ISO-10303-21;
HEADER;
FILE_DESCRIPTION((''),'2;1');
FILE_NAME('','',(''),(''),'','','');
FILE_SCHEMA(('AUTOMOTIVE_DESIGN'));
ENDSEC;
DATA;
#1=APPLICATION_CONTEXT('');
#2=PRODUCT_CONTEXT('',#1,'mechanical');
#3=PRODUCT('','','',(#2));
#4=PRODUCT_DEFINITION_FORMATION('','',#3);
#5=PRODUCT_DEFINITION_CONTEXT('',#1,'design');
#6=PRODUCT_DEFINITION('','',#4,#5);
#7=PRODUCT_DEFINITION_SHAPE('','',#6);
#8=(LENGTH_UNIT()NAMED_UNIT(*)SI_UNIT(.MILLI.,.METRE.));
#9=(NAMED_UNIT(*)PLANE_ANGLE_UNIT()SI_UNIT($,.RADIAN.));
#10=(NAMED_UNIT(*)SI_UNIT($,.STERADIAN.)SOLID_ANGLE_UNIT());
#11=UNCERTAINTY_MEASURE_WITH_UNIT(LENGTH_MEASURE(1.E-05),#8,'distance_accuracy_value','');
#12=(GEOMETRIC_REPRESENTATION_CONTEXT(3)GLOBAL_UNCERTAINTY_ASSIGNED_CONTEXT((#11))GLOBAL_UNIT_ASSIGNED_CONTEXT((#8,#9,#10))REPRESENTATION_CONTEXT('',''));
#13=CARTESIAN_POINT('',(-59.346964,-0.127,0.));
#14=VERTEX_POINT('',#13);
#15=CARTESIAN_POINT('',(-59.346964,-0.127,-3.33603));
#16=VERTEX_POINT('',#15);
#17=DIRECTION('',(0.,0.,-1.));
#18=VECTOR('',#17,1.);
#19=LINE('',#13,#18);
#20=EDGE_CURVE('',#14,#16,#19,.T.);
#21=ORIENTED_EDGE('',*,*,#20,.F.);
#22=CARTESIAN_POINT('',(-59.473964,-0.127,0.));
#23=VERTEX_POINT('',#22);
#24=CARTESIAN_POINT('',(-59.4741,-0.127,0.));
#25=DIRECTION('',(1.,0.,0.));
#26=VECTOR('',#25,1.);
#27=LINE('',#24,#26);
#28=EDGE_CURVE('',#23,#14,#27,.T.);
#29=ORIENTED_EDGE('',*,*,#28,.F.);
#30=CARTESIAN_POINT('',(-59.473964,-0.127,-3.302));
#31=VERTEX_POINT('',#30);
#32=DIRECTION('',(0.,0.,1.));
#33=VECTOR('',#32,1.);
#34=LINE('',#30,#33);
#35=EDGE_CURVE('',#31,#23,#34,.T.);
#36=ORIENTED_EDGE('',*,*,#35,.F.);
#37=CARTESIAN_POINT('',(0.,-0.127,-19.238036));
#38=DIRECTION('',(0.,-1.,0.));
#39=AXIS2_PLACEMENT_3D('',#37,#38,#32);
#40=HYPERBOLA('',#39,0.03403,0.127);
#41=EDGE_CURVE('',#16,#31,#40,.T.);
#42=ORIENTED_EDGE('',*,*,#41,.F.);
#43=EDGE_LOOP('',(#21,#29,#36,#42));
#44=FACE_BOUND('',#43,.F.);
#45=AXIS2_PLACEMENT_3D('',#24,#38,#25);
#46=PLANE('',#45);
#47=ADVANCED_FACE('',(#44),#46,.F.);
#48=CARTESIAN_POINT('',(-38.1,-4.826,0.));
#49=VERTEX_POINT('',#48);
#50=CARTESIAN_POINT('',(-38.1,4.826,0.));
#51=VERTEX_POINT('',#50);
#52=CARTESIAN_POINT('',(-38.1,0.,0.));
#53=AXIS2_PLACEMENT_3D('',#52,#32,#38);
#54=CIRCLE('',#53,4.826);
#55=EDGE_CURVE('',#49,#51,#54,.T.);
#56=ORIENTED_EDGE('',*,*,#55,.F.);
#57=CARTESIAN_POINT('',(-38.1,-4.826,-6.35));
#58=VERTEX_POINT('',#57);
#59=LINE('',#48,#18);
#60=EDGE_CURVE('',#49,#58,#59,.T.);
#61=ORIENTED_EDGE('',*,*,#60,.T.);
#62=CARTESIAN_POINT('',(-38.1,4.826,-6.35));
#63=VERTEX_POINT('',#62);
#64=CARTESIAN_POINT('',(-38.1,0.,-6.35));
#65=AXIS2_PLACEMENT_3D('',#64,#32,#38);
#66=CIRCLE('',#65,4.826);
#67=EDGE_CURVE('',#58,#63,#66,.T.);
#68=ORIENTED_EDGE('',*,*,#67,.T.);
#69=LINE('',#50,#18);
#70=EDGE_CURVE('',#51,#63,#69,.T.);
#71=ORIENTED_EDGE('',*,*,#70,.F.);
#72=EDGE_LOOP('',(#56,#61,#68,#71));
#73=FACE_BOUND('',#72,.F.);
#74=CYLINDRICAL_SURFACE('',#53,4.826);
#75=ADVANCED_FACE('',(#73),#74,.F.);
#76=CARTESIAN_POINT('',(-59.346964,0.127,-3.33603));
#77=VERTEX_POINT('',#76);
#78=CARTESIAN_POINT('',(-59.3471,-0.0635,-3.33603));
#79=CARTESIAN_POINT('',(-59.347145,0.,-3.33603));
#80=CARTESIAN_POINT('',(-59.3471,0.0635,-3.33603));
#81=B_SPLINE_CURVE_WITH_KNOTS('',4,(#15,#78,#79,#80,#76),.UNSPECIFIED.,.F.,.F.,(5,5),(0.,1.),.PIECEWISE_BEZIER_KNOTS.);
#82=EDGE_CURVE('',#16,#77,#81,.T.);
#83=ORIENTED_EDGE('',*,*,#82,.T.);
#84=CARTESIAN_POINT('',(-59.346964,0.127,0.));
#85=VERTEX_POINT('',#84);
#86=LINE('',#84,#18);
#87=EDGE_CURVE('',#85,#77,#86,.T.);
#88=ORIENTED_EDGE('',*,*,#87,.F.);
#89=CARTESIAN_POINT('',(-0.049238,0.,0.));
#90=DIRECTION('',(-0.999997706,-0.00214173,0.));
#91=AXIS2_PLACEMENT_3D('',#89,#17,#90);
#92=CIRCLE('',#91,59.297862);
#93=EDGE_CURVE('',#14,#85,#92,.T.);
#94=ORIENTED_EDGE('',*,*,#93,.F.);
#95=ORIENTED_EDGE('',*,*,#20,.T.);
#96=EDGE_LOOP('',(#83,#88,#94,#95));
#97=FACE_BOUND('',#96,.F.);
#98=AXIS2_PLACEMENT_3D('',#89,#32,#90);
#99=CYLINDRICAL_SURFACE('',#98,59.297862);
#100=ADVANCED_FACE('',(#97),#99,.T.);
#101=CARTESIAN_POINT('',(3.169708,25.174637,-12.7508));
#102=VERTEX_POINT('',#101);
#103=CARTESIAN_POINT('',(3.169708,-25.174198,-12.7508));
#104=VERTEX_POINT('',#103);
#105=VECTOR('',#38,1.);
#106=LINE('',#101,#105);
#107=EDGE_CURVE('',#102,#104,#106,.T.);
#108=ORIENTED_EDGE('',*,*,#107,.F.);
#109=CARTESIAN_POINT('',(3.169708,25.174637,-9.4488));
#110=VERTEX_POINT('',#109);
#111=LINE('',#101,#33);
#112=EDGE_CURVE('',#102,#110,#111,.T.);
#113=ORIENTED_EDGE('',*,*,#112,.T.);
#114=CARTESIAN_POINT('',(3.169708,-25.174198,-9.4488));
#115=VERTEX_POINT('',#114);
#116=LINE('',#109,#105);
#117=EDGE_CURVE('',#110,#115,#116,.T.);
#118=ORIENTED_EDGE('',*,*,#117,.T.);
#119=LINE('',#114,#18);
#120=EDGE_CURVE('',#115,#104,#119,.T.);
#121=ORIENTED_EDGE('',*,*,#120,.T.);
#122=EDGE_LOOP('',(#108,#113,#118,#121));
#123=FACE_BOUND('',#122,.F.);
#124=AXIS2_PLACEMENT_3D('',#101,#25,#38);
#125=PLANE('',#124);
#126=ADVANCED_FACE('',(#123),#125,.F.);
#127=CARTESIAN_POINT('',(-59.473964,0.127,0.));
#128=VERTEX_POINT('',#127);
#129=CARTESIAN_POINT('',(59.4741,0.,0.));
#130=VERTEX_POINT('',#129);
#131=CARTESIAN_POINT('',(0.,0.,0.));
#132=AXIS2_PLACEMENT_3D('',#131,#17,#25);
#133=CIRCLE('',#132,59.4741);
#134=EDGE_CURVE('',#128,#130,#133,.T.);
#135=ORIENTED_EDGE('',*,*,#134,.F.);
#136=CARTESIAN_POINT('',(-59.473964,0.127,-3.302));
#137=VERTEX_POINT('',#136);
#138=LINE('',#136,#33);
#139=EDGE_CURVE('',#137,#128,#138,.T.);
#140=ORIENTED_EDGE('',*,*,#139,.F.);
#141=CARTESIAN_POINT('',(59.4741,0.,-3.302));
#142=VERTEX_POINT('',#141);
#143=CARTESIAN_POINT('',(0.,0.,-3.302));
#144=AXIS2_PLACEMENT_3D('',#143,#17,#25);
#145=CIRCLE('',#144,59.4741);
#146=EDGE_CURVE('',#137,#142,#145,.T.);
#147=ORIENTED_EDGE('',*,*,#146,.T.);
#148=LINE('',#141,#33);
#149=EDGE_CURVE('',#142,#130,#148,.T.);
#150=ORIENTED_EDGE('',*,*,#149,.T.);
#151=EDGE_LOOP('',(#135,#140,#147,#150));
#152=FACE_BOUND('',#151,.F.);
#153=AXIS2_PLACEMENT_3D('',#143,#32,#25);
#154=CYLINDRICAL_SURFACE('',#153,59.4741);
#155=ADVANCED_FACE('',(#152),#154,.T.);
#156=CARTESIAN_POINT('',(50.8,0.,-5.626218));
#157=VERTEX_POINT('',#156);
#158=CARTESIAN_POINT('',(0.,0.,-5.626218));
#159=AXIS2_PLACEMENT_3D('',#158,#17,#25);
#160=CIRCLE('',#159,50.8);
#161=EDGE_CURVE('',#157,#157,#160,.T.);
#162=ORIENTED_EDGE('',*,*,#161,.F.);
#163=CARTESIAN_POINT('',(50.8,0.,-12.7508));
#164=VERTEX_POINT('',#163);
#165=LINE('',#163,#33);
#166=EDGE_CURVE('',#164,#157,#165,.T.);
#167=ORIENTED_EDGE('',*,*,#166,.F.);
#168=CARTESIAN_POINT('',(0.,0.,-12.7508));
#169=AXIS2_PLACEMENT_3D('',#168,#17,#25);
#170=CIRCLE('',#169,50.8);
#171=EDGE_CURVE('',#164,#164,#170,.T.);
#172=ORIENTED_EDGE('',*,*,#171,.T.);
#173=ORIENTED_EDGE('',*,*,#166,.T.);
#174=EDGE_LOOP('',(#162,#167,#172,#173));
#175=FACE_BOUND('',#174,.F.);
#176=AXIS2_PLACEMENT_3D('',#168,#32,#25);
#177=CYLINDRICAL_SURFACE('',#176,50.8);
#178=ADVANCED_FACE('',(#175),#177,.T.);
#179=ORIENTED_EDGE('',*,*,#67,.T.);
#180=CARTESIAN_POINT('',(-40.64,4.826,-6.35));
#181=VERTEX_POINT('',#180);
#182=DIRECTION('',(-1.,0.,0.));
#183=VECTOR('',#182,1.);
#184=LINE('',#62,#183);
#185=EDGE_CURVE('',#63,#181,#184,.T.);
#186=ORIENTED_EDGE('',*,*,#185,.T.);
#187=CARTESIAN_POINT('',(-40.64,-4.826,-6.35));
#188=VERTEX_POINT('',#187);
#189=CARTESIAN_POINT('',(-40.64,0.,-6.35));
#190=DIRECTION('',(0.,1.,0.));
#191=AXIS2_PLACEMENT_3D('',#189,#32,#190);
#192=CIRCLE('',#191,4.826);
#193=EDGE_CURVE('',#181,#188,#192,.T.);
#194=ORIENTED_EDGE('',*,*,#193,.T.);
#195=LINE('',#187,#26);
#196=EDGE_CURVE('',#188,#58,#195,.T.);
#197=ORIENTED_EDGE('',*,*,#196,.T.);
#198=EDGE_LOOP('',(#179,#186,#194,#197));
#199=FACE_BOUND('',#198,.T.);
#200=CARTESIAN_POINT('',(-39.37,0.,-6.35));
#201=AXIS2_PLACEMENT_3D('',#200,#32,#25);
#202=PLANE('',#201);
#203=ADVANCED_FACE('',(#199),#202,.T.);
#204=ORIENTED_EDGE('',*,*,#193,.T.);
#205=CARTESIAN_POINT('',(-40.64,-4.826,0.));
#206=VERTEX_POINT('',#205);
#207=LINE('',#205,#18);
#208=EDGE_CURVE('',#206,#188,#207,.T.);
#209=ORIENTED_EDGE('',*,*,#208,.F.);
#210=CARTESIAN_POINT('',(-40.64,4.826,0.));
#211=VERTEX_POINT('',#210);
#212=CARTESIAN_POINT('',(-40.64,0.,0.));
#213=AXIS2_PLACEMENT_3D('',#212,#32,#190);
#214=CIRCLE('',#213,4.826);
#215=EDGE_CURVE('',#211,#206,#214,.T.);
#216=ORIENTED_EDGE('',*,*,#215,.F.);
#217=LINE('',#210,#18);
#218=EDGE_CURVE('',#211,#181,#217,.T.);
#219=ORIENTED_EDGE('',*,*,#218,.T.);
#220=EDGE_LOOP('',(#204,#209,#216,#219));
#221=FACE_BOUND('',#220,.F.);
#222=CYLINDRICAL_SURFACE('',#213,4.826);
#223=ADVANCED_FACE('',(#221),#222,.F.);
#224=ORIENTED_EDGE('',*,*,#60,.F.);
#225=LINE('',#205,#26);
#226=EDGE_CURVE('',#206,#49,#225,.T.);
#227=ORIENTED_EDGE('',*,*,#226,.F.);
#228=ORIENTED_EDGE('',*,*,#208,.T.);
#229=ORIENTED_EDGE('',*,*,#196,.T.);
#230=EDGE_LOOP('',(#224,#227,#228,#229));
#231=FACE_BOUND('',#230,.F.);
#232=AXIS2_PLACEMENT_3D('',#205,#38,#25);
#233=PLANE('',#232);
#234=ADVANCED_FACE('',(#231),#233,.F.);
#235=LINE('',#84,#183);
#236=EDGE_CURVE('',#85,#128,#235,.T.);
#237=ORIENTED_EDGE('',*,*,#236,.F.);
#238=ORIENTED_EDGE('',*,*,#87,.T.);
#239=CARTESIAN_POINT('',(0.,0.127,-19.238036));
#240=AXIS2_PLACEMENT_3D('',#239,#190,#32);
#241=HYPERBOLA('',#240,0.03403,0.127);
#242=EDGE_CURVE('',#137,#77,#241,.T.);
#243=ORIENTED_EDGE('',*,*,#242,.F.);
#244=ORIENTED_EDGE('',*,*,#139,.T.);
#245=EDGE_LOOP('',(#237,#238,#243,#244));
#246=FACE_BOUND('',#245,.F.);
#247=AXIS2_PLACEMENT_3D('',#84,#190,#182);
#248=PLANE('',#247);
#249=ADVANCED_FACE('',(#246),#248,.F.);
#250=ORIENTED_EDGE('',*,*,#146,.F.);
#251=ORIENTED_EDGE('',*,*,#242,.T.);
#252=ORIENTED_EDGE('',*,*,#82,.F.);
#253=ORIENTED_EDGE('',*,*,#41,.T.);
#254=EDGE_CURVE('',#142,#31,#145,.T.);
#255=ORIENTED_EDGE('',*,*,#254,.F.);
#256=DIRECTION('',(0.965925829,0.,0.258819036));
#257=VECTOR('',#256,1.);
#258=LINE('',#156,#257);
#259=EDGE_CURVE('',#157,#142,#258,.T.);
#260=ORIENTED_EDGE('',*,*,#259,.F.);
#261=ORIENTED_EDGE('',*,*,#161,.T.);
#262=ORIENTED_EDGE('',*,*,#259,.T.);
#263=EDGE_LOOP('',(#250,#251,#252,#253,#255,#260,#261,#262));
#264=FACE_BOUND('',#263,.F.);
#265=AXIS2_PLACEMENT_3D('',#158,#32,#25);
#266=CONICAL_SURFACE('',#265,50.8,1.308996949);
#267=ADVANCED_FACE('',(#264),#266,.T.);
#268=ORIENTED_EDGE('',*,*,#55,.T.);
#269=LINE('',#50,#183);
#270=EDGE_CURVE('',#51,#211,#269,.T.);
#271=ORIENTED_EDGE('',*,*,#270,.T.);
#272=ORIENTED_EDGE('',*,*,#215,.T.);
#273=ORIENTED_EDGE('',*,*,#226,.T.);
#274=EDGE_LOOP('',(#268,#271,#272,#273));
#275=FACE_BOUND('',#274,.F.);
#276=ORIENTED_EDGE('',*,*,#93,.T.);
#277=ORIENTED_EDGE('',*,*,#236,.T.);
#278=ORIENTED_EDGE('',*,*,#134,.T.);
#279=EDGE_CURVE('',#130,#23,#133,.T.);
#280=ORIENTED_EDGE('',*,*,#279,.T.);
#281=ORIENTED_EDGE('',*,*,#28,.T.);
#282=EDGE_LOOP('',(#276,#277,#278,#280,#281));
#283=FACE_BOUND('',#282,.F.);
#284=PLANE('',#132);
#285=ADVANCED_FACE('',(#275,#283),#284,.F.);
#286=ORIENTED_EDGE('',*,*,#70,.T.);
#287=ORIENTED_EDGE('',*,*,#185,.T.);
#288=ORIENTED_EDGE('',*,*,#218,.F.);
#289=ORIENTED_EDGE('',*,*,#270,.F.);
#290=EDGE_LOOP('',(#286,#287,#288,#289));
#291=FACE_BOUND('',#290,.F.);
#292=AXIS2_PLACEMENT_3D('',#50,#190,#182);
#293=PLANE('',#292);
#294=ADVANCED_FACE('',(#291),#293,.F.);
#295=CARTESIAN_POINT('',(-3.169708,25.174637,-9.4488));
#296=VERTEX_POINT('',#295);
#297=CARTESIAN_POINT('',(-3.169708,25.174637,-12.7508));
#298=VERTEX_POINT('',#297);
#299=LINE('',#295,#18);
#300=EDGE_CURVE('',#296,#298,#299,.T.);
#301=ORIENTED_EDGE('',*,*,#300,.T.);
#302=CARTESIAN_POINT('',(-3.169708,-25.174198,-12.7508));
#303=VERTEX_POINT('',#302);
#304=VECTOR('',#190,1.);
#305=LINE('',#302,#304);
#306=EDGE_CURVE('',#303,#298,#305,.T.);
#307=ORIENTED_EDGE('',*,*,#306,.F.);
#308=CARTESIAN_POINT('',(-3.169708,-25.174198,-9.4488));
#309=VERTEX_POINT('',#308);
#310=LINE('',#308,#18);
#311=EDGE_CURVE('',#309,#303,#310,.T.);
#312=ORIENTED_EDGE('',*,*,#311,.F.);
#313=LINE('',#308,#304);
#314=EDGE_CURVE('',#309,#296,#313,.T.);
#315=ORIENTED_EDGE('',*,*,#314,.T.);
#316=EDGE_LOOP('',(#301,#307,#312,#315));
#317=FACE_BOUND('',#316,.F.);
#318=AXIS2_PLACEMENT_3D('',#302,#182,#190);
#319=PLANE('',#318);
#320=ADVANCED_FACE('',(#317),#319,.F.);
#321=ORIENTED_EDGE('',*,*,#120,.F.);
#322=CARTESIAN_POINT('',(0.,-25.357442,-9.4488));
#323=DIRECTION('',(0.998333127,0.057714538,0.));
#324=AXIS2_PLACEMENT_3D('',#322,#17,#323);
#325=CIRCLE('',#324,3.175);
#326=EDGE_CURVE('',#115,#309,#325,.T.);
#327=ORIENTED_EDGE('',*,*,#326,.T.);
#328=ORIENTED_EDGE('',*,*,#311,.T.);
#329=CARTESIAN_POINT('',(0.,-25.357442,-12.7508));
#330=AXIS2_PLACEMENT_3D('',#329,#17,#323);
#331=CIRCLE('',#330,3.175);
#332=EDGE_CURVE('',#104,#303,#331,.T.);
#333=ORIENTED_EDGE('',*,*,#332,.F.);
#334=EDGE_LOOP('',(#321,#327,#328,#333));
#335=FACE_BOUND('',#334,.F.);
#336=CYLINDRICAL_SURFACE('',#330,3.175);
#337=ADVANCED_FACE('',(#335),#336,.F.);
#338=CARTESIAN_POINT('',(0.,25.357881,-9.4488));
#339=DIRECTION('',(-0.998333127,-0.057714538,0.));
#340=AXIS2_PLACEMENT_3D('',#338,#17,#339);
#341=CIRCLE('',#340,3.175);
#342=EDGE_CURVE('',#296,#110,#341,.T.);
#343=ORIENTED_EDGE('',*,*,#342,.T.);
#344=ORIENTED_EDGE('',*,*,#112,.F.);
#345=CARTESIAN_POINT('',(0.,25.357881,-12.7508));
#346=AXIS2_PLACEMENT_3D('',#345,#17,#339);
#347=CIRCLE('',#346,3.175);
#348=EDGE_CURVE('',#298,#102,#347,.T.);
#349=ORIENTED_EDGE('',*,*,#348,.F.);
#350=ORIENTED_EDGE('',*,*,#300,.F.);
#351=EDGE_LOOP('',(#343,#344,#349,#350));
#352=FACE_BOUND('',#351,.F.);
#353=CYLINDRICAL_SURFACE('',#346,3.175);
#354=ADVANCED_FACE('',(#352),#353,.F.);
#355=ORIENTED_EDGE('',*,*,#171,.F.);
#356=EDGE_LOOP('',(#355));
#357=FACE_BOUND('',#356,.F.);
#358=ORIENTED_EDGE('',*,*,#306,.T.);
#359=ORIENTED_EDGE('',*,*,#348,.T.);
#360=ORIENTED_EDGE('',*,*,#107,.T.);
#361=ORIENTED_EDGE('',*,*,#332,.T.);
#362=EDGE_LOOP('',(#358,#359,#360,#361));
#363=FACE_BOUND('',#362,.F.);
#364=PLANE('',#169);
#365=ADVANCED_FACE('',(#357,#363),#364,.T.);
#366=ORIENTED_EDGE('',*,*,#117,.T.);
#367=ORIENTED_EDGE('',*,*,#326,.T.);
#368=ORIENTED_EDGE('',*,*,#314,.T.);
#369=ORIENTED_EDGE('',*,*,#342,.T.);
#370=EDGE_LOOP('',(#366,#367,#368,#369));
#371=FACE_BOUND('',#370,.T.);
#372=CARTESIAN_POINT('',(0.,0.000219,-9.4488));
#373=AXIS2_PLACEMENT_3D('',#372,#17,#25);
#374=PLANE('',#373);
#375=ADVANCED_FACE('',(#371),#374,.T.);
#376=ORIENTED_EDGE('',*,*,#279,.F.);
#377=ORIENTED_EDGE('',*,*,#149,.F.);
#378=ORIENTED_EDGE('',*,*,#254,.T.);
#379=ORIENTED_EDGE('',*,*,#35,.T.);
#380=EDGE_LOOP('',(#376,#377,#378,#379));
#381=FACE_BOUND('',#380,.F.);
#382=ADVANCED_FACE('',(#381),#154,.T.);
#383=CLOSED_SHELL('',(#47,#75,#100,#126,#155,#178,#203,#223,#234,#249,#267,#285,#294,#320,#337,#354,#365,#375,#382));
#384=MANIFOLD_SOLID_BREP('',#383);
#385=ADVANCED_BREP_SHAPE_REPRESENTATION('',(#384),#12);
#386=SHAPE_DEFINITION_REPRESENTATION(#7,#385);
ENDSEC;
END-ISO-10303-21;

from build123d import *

# Parameters (mm, degrees)
F3_DEPTH = 6.35
F5_DEPTH = 25.4
F7_DEPTH = 3.175
F8_DEPTH = 3.302


with BuildPart() as f1:
    # F0 (on Front) → F1 (revolve)
    with BuildSketch(Plane.XZ):
        Polygon((59.4741, 0), (0, 0), (0, -12.7508), (50.8, -12.7508), (50.8, -5.626218), (59.4741, -3.302), align=None)
    revolve(axis=Axis((0, 0, -6.3754), (0, 0, -1)))

    # F2 (on face) → F3 (cut)
    with BuildSketch(Plane.XY):
        with BuildLine():
            Line((-40.64, -4.826), (-38.1, -4.826))
            ThreePointArc((-38.1, -4.826), (-33.274, 0), (-38.1, 4.826))
            Line((-38.1, 4.826), (-40.64, 4.826))
            ThreePointArc((-40.64, 4.826), (-45.466, 0), (-40.64, -4.826))
        make_face()
    extrude(amount=-F3_DEPTH, mode=Mode.SUBTRACT)

    # F4 (on face) → F5 (cut)
    with BuildSketch(Plane.XY):
        with BuildLine():
            ThreePointArc((-59.346964, -0.127), (-59.3471, 0), (-59.346964, 0.127))
            Line((-59.346964, 0.127), (-59.4741, 0.127))
            Line((-59.4741, 0.127), (-59.4741, -0.127))
            Line((-59.4741, -0.127), (-59.346964, -0.127))
        make_face()
    extrude(amount=-F5_DEPTH, mode=Mode.SUBTRACT)

    # F6 (on face) → F7 (cut)
    with BuildSketch(Plane(origin=(0, 0, -12.7508), x_dir=(1, 0, 0), z_dir=(0, 0, -1))):
        with BuildLine():
            Line((3.169708, -25.174637), (3.169708, -0.00022))
            Line((3.169708, -0.00022), (3.169708, 25.174198))
            ThreePointArc((3.169708, 25.174198), (0, 28.532442), (-3.169708, 25.174198))
            Line((-3.169708, 25.174198), (-3.169708, -0.00022))
            Line((-3.169708, -0.00022), (-3.169708, -25.174637))
            ThreePointArc((-3.169708, -25.174637), (0, -28.532881), (3.169708, -25.174637))
        make_face()
    extrude(amount=-F7_DEPTH, mode=Mode.SUBTRACT)

    # F6 (on face) → F8 (cut)
    with BuildSketch(Plane(origin=(0, 0, -12.7508), x_dir=(1, 0, 0), z_dir=(0, 0, -1))):
        with BuildLine():
            Line((3.169708, -25.174637), (3.169708, -0.00022))
            Line((3.169708, -0.00022), (3.169708, 25.174198))
            ThreePointArc((3.169708, 25.174198), (0, 28.532442), (-3.169708, 25.174198))
            Line((-3.169708, 25.174198), (-3.169708, -0.00022))
            Line((-3.169708, -0.00022), (-3.169708, -25.174637))
            ThreePointArc((-3.169708, -25.174637), (0, -28.532881), (3.169708, -25.174637))
        make_face()
    extrude(amount=-F8_DEPTH, mode=Mode.SUBTRACT)


solid = f1.part
